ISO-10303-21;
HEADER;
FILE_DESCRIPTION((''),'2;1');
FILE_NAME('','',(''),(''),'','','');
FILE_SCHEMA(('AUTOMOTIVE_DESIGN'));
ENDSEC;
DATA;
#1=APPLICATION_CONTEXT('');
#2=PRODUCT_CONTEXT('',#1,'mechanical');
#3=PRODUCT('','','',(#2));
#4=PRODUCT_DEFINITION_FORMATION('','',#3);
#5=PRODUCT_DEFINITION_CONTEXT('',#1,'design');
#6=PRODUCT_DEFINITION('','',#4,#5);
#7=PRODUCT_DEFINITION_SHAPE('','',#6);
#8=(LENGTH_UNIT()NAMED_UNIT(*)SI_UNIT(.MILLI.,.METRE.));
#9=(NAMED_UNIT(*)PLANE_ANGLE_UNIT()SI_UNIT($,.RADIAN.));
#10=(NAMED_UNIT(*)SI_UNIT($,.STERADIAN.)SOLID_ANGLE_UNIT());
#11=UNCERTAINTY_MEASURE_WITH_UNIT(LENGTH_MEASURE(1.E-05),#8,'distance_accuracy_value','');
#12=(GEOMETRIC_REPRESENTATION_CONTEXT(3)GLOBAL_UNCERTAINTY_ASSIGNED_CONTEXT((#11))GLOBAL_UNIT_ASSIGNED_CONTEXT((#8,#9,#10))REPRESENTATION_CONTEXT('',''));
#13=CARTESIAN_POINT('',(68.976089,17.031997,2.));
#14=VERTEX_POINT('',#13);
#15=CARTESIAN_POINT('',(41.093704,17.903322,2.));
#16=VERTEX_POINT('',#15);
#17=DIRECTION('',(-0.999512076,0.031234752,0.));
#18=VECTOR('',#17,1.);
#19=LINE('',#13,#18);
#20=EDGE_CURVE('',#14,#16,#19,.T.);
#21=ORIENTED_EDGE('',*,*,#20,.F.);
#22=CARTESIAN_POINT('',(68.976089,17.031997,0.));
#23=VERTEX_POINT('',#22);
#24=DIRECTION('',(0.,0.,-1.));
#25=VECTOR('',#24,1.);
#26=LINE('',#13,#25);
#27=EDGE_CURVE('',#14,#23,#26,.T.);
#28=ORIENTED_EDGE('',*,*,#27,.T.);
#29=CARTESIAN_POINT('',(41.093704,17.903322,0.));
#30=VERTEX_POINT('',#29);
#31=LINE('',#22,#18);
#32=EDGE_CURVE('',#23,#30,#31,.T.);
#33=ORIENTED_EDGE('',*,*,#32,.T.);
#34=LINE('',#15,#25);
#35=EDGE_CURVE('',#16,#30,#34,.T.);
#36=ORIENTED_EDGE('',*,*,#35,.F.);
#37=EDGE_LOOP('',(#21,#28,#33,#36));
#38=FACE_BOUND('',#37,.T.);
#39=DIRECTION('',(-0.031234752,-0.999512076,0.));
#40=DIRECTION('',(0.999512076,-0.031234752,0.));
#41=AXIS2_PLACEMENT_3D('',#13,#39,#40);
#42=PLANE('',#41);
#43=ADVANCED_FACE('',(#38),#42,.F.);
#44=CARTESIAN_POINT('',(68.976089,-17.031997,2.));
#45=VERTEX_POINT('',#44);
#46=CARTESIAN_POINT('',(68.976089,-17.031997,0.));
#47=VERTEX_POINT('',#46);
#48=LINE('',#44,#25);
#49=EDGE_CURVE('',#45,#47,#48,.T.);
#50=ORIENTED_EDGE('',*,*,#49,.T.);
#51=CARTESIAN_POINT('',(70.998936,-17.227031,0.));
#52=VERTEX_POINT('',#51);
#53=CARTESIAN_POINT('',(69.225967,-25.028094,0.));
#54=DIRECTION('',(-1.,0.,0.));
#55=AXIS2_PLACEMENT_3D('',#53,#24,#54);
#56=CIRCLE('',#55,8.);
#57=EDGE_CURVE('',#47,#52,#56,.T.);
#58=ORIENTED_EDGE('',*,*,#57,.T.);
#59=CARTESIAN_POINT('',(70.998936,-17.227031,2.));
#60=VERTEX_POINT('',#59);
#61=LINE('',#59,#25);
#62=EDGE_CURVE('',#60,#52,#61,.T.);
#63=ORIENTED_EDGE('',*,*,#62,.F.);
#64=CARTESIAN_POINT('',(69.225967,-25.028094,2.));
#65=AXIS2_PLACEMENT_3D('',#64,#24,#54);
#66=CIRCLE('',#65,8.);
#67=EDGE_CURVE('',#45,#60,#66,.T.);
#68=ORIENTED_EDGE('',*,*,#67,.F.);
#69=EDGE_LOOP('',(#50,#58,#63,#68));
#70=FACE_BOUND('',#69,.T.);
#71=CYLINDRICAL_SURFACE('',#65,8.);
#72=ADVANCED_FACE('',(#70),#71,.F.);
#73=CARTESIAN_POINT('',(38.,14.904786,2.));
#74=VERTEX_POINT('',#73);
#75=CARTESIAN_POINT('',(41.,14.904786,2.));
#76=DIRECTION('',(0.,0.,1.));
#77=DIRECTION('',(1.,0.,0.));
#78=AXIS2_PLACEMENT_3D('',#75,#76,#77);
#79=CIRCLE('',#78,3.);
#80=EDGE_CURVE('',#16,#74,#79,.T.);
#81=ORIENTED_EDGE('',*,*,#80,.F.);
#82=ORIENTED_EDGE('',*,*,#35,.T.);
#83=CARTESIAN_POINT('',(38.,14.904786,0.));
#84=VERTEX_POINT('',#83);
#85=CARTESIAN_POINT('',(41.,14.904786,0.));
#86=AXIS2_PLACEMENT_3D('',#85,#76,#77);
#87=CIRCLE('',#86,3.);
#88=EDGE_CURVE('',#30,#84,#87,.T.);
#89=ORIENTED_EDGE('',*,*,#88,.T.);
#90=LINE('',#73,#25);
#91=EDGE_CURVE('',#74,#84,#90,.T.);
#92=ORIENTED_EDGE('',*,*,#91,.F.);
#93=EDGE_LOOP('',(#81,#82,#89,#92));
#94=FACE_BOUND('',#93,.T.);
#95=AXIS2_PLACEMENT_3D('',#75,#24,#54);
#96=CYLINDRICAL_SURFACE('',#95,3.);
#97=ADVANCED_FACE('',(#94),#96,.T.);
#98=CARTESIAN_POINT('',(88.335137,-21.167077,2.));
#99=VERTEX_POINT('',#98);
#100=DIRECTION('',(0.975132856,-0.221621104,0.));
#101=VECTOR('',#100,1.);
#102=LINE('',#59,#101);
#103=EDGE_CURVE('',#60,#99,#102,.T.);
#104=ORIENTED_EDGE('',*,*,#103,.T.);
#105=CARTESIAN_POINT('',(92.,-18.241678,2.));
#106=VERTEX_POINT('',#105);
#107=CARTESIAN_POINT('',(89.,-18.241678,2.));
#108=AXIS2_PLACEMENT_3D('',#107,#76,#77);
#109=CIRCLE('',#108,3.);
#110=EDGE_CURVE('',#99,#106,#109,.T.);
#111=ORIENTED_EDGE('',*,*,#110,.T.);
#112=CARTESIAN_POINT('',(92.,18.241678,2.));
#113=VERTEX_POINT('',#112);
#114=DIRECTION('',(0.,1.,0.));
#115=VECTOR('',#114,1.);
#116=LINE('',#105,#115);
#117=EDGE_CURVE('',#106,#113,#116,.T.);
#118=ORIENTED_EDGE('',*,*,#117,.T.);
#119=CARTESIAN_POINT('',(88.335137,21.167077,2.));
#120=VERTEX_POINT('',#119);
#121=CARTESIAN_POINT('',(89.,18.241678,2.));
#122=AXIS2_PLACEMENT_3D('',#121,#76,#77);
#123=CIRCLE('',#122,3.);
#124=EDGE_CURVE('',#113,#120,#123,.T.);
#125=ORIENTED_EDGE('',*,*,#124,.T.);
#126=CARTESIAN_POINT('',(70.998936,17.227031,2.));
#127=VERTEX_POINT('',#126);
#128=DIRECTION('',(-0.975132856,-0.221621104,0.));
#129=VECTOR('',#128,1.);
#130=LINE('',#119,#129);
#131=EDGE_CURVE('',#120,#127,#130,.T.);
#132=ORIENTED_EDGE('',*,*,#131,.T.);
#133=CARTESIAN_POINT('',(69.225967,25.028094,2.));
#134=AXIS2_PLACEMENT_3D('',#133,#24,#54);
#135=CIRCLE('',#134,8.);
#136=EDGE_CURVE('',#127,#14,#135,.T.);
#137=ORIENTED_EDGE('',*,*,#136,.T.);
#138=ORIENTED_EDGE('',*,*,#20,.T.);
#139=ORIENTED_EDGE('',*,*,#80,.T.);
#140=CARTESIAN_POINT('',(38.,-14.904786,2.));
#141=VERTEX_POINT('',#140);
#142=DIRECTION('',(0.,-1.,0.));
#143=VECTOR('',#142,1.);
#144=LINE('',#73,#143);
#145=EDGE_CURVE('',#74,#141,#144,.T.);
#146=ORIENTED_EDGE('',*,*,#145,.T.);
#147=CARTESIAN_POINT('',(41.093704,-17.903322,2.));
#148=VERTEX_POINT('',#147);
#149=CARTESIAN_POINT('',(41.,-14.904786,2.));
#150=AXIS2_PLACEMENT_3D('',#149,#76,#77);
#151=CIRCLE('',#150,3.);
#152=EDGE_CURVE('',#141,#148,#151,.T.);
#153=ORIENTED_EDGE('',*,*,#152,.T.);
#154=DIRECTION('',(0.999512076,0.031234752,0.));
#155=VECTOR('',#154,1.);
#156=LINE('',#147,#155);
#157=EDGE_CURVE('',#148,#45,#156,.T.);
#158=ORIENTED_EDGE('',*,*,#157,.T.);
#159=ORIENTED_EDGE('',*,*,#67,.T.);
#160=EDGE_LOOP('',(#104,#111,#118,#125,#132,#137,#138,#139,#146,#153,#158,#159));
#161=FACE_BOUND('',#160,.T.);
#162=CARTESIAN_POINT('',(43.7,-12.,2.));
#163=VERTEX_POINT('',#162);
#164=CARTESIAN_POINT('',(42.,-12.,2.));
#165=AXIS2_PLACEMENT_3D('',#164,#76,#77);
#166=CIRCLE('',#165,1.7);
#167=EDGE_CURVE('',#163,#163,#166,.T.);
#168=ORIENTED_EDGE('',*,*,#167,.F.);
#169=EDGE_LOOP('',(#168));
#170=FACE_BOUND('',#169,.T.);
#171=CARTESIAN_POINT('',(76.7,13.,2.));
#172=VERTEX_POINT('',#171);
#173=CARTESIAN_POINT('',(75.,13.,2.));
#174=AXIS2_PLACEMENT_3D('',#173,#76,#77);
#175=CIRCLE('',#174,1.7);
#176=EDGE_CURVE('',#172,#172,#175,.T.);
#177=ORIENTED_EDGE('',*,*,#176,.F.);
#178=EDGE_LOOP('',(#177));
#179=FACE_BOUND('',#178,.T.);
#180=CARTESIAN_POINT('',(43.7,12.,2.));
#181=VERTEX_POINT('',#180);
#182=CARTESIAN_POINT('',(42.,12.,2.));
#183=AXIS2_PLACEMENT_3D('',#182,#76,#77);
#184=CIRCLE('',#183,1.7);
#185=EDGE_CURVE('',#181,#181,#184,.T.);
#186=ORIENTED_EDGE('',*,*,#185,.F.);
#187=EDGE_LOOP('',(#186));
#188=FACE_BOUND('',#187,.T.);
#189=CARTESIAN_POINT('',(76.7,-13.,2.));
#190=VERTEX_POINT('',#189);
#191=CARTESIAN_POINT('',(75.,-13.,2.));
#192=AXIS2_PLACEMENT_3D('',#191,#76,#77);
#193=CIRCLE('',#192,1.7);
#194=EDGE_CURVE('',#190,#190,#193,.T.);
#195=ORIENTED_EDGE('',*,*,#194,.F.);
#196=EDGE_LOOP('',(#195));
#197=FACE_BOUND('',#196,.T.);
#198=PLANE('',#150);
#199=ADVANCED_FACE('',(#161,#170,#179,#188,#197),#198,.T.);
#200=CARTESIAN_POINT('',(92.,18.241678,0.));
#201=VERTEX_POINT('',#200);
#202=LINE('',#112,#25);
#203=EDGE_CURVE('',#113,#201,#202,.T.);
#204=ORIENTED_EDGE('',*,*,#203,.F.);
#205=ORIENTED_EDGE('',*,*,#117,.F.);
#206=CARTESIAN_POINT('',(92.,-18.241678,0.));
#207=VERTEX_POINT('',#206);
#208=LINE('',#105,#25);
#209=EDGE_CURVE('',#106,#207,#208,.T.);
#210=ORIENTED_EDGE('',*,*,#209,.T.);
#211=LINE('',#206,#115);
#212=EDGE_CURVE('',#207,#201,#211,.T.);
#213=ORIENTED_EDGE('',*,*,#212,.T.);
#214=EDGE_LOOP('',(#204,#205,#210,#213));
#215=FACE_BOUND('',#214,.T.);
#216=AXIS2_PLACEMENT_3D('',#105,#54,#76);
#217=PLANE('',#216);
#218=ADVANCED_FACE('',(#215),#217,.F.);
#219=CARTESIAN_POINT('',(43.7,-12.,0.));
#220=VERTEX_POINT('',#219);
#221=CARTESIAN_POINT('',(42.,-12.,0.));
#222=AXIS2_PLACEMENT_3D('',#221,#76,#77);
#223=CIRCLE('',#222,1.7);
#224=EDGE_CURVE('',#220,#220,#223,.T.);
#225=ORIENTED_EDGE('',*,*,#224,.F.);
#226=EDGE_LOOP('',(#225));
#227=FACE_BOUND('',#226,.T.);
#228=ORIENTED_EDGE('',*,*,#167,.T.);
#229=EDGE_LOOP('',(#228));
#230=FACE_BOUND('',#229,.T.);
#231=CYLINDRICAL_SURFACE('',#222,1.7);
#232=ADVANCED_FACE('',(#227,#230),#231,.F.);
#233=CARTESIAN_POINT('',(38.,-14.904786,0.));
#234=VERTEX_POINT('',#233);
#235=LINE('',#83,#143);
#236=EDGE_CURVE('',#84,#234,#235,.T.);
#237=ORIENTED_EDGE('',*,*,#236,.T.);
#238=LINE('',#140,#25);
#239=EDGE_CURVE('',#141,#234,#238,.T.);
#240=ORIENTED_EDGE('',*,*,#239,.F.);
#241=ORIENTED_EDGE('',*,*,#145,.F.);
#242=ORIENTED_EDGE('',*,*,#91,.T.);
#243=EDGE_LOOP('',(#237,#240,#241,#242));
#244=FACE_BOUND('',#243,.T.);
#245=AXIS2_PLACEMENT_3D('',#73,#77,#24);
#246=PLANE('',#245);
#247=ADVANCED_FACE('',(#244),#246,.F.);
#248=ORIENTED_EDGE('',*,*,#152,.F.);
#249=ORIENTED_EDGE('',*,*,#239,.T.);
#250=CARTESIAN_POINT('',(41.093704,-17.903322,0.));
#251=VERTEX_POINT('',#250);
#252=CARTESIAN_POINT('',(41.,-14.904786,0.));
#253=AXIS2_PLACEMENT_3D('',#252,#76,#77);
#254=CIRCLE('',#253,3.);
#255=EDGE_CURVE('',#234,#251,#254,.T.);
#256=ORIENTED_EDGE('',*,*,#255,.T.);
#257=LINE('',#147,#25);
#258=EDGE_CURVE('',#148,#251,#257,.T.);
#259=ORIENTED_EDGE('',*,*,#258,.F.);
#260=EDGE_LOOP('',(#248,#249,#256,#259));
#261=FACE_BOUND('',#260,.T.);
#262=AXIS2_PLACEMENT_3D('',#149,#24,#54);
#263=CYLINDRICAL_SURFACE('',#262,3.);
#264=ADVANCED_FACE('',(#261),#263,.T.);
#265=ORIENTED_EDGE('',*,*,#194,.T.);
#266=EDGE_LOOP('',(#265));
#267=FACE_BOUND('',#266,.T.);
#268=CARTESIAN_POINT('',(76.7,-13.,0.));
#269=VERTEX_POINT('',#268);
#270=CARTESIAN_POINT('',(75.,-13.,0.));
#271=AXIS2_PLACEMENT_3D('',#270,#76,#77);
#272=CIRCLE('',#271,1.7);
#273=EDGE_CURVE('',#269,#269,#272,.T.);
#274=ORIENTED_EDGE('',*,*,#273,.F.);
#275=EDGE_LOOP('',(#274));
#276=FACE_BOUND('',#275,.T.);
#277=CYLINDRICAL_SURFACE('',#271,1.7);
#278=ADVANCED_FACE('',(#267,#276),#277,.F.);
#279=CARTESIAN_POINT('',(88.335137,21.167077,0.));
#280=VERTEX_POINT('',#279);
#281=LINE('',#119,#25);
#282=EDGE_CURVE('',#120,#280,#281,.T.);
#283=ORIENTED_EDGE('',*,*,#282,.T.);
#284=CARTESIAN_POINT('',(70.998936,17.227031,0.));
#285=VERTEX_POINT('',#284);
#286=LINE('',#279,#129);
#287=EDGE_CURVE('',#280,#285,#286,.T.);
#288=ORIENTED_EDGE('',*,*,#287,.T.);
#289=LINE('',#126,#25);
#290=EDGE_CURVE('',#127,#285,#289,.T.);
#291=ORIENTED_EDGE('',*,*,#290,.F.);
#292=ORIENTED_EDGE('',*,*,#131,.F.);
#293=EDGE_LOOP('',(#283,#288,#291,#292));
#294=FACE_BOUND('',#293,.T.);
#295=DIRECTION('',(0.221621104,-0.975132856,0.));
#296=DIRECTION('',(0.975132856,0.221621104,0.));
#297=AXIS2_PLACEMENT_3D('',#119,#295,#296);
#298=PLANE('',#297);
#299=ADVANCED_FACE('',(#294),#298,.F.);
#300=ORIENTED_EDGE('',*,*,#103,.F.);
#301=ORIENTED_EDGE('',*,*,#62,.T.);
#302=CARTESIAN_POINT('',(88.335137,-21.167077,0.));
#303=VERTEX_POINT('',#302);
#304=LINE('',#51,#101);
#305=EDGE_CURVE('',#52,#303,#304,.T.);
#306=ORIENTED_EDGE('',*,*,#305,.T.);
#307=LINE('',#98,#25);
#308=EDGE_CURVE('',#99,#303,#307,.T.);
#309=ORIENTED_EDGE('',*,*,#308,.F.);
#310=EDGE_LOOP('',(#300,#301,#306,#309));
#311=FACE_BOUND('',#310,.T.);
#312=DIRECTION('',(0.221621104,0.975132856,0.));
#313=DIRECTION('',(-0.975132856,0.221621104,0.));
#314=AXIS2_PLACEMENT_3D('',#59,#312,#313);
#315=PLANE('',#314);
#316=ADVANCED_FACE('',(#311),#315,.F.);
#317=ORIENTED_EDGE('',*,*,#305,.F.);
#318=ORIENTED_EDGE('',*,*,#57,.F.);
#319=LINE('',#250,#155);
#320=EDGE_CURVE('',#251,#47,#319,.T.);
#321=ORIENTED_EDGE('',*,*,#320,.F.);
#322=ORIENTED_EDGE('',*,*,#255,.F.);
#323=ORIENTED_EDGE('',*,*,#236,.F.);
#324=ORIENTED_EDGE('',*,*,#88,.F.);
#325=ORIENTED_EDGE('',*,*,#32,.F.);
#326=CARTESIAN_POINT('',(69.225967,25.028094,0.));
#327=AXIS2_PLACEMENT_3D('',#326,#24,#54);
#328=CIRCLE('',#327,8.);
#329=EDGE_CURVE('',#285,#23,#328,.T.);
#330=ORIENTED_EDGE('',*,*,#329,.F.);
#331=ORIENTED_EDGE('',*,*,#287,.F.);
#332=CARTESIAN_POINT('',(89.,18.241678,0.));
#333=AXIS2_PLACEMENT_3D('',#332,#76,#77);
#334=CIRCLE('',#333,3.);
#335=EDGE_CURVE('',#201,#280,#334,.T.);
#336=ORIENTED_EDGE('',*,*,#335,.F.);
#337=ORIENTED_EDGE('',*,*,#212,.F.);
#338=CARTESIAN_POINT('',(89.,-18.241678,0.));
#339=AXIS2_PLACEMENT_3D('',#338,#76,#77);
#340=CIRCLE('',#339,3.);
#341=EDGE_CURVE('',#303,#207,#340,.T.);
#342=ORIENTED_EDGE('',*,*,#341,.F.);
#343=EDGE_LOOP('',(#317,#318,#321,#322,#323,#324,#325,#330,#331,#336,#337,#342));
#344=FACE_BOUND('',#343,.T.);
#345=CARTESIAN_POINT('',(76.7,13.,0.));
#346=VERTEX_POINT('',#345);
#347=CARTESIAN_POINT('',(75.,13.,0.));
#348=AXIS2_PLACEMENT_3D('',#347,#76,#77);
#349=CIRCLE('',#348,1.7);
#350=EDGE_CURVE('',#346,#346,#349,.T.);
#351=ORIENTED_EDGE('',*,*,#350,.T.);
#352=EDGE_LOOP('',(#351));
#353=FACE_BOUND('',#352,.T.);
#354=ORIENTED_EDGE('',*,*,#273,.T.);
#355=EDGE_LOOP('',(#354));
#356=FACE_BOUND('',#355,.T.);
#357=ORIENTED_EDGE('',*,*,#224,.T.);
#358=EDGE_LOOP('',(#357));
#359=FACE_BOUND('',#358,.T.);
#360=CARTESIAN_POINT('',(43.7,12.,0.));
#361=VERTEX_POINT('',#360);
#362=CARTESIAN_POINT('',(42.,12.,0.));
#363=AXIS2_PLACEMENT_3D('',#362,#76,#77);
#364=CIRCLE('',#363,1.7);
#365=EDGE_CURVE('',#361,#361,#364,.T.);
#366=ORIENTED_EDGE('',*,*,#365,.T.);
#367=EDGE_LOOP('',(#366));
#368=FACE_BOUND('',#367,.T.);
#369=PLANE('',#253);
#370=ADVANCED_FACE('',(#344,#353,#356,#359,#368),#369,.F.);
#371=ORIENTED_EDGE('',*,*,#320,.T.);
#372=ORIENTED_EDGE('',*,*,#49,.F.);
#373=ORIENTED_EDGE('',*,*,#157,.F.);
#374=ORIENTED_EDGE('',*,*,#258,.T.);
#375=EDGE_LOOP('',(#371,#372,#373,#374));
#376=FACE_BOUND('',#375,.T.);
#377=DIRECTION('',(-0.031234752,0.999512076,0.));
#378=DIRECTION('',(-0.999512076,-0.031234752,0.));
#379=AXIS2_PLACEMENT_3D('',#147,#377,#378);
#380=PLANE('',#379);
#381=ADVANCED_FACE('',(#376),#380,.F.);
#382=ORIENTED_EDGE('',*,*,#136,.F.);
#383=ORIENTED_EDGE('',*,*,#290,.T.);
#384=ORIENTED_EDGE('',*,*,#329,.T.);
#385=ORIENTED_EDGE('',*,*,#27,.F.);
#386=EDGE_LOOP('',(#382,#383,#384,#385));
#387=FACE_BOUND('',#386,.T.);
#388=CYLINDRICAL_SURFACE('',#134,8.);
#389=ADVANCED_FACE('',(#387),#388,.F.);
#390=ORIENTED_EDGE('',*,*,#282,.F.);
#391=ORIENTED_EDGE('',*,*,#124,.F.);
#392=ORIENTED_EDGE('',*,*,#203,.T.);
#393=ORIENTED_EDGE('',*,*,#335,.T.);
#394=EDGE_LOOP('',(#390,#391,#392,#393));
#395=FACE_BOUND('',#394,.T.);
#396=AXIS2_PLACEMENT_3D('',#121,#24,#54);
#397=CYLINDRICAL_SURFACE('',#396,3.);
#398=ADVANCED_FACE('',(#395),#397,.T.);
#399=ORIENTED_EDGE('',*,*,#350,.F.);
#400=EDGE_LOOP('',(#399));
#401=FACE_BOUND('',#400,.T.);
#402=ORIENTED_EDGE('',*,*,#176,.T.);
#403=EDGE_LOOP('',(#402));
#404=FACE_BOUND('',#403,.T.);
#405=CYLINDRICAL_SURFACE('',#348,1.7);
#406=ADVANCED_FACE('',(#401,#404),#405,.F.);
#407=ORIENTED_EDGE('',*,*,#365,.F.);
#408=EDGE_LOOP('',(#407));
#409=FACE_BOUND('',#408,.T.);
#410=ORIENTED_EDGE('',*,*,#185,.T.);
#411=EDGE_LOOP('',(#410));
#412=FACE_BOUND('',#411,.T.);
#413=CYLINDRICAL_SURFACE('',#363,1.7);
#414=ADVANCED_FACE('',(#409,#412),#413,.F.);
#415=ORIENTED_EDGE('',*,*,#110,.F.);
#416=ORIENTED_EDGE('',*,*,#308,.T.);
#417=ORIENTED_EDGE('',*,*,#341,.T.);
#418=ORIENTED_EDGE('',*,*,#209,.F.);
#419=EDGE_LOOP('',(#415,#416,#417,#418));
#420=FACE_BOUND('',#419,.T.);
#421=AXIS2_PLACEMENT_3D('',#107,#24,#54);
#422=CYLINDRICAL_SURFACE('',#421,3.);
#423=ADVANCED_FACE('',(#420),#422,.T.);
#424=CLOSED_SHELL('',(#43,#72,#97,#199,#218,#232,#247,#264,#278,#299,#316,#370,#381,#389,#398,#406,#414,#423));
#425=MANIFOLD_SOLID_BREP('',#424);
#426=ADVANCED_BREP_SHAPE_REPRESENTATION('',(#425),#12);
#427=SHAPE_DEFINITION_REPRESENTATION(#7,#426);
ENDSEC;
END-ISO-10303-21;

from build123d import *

# Parameters (mm, degrees)
UNDERSIDE_COVER_T2_DEPTH         = 2
SKETCH_2_R                       = 1.7
CLOSURE_ONLY_FOUR_M3_HOLES_DEPTH = 2


with BuildPart() as part:
    # 草图1 → Underside_cover_T2 (new body)
    with BuildSketch(Plane.XY):
        with BuildLine():
            Line((41.093704257, -17.903321742), (68.976089412, -17.031997206))
            ThreePointArc((68.976089412, -17.031997206), (69.993731032, -17.065020347), (70.99893626, -17.227030968))
            Line((70.99893626, -17.227030968), (88.335136689, -21.16707652))
            ThreePointArc((88.335136689, -21.16707652), (90.871551504, -20.586309047), (92, -18.241677953))
            Line((92, -18.241677953), (92, 18.241677953))
            ThreePointArc((92, 18.241677953), (90.871551504, 20.586309047), (88.335136689, 21.16707652))
            Line((88.335136689, 21.16707652), (70.99893626, 17.227030968))
            ThreePointArc((70.99893626, 17.227030968), (69.993731032, 17.065020347), (68.976089412, 17.031997206))
            Line((68.976089412, 17.031997206), (41.093704257, 17.903321742))
            ThreePointArc((41.093704257, 17.903321742), (38.912071933, 17.05898058), (38, 14.904785514))
            Line((38, 14.904785514), (38, -14.904785514))
            ThreePointArc((38, -14.904785514), (38.912071933, -17.05898058), (41.093704257, -17.903321742))
        make_face()
    extrude(amount=UNDERSIDE_COVER_T2_DEPTH)

    # 草图2 → Closure_only_four_M3_holes (cut)
    with BuildSketch(Plane.XY.offset(2)):
        with Locations((42, -12)):
            Circle(SKETCH_2_R)
        with Locations((42, 12)):
            Circle(SKETCH_2_R)
        with Locations((75, -13)):
            Circle(SKETCH_2_R)
        with Locations((75, 13)):
            Circle(SKETCH_2_R)
    extrude(amount=-CLOSURE_ONLY_FOUR_M3_HOLES_DEPTH, mode=Mode.SUBTRACT)


solid = part.part
